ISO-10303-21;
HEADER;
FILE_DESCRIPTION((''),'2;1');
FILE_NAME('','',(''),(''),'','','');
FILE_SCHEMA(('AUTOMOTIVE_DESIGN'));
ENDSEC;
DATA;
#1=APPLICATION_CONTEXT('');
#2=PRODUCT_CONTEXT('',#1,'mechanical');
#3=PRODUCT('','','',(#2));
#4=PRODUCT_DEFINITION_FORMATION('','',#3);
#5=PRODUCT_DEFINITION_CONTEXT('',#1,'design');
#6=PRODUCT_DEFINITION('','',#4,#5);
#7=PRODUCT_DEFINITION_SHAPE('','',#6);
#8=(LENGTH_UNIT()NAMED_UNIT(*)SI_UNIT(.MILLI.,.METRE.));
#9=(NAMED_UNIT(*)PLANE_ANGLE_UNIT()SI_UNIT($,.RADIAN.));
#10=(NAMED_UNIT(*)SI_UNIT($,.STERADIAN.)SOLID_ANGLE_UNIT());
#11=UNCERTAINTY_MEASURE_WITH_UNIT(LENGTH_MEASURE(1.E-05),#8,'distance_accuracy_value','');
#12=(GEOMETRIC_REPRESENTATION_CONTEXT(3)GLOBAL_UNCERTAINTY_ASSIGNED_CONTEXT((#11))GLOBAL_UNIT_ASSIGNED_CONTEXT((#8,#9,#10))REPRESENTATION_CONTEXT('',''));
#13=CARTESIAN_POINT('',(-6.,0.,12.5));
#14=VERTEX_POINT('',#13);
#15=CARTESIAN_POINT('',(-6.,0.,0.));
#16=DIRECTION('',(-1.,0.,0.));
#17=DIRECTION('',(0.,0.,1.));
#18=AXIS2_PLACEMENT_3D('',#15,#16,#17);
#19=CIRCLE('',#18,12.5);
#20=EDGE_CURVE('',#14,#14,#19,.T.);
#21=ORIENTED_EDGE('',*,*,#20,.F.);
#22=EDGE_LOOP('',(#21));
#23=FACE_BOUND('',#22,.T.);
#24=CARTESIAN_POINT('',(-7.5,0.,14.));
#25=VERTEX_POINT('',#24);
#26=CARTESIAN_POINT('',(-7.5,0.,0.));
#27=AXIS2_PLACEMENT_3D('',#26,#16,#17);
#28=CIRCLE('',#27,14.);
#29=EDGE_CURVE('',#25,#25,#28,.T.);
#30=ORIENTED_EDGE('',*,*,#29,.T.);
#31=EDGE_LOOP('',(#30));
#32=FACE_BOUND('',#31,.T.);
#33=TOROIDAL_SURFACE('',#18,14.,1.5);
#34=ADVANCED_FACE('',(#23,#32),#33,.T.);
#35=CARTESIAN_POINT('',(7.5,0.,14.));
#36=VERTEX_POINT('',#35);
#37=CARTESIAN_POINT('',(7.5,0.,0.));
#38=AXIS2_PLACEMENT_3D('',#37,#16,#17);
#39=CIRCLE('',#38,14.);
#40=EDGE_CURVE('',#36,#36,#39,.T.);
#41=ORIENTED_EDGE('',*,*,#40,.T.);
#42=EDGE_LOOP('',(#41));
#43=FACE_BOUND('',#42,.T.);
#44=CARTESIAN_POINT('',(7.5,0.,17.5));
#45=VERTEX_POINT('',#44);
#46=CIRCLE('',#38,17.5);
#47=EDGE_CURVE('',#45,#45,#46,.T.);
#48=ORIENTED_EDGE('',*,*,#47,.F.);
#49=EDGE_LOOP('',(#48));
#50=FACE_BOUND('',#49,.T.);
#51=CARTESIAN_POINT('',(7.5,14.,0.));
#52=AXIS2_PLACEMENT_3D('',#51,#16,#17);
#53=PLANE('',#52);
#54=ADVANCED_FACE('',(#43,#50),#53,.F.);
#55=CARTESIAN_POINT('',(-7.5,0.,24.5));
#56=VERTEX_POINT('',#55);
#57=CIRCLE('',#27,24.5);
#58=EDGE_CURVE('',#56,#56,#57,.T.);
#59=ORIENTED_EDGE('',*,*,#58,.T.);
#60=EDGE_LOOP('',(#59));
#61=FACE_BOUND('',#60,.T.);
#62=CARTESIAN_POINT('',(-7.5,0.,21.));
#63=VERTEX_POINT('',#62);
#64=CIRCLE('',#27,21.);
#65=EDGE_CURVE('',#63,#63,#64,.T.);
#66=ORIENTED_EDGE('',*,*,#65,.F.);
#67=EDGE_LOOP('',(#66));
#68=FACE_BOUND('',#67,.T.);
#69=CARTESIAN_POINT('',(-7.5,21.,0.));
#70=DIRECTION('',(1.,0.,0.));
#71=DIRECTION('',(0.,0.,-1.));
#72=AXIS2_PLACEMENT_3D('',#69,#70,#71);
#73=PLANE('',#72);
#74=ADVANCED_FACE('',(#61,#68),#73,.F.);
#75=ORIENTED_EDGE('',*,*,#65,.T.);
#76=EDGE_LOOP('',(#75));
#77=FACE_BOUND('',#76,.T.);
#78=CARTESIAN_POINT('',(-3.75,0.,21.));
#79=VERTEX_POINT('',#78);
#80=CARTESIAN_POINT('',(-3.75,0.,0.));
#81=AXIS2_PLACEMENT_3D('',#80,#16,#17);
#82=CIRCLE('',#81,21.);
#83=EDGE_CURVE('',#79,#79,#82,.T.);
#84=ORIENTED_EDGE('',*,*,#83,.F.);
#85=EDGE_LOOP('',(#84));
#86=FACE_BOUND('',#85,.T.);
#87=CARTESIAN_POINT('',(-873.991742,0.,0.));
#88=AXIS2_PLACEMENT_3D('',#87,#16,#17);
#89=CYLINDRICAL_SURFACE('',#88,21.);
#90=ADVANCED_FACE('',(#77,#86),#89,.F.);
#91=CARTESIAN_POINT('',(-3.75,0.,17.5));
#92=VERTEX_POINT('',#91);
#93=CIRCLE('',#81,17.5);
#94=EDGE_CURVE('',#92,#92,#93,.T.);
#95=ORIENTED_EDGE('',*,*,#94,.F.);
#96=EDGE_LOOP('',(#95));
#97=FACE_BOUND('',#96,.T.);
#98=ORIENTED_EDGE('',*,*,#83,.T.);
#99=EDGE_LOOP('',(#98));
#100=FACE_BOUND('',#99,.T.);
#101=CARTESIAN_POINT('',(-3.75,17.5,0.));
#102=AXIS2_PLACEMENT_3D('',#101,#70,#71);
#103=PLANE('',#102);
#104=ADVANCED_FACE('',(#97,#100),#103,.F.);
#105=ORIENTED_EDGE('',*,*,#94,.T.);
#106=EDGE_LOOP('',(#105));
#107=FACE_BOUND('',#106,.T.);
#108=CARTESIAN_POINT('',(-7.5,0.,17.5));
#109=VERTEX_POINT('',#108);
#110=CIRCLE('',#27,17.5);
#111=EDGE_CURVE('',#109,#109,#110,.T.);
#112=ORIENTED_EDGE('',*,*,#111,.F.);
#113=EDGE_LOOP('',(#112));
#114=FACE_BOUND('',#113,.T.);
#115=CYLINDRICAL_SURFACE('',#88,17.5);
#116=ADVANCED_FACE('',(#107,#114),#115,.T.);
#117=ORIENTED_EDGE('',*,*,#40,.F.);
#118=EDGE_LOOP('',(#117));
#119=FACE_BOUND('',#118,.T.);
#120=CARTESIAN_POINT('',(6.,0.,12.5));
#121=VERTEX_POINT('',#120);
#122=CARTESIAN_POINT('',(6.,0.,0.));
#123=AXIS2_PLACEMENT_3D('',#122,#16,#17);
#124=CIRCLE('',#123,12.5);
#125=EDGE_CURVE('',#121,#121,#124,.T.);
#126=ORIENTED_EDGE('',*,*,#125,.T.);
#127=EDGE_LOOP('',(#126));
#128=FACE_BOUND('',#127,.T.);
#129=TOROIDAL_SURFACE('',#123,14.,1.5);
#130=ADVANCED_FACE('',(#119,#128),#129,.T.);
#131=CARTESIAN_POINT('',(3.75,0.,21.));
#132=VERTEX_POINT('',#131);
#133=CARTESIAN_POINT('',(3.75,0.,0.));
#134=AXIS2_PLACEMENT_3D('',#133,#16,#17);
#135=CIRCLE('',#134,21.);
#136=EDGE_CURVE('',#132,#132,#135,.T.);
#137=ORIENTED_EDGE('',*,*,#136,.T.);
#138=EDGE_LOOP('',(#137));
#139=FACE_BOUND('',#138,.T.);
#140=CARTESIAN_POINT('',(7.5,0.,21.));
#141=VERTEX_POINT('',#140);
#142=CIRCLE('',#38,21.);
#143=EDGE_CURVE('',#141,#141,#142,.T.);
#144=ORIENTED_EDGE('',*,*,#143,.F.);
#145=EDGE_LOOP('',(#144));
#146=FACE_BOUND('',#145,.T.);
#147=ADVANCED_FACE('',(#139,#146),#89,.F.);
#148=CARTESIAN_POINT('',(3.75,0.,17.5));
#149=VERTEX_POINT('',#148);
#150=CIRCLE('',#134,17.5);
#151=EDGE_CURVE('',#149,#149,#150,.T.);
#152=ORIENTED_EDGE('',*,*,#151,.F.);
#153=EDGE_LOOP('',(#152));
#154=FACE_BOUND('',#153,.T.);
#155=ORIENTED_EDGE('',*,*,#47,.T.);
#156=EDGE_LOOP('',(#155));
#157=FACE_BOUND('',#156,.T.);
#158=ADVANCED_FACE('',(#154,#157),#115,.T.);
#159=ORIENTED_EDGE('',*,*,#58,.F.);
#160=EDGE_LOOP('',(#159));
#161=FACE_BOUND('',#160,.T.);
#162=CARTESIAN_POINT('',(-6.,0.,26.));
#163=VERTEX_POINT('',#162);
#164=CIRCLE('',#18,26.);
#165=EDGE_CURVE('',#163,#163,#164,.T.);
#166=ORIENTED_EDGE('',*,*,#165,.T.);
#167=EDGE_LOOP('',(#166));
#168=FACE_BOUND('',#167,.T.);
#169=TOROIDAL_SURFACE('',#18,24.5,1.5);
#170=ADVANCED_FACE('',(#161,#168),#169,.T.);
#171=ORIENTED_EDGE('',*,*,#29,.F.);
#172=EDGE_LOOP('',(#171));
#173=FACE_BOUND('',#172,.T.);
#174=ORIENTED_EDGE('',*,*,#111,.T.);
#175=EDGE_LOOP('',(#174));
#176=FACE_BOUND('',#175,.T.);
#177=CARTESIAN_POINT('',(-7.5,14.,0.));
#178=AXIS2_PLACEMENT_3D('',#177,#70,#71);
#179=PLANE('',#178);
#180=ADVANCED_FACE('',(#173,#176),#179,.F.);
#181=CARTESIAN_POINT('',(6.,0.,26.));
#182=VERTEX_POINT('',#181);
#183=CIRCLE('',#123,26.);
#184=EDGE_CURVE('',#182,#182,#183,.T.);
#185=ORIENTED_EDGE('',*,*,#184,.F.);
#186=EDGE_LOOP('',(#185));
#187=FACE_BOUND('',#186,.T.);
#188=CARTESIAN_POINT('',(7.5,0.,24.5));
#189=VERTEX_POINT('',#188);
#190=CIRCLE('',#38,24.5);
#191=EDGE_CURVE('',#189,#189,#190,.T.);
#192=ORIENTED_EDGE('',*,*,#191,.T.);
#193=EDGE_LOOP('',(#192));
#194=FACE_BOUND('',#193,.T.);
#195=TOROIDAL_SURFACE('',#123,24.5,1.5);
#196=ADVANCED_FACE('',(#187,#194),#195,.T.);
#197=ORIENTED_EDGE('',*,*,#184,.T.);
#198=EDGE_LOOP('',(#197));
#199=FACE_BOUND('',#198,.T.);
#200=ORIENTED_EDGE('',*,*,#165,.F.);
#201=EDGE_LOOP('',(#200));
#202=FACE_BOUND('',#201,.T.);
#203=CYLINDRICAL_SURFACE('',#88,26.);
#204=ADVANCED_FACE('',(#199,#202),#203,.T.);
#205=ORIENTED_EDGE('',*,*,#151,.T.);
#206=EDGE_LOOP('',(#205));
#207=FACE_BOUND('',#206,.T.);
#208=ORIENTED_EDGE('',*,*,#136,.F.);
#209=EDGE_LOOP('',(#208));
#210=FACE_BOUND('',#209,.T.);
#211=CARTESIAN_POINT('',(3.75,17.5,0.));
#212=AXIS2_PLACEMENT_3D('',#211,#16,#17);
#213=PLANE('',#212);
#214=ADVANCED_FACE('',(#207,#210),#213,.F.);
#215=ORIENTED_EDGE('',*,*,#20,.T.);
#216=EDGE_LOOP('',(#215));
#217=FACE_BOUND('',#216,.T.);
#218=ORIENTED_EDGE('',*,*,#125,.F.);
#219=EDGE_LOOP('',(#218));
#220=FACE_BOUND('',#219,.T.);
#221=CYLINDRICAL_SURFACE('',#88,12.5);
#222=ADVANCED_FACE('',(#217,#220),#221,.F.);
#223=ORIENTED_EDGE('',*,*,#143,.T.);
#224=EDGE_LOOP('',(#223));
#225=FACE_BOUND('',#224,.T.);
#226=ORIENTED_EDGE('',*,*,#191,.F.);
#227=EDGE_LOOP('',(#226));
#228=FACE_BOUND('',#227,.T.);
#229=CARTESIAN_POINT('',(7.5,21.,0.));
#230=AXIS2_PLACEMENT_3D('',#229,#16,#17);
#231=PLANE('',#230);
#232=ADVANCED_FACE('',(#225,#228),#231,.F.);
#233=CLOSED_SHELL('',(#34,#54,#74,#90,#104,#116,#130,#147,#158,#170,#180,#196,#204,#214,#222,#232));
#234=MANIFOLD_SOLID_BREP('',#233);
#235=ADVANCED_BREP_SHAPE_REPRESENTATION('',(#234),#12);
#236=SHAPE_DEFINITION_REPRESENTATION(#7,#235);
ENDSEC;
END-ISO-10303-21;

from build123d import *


with BuildPart() as part:
    # Эскиз1 → Повернуть1 (revolve)
    with BuildSketch(Plane.XY):
        with BuildLine():
            Line((6, 12.5), (-6, 12.5))
            ThreePointArc((-6, 12.5), (-7.060660172, 12.939339828), (-7.5, 14))
            Line((-7.5, 14), (-7.5, 17.5))
            Line((-7.5, 17.5), (-3.75, 17.5))
            Line((-3.75, 17.5), (-3.75, 21))
            Line((-3.75, 21), (-7.5, 21))
            Line((-7.5, 21), (-7.5, 24.5))
            ThreePointArc((-7.5, 24.5), (-7.060660172, 25.560660172), (-6, 26))
            Line((-6, 26), (6, 26))
            ThreePointArc((6, 26), (7.060660172, 25.560660172), (7.5, 24.5))
            Line((7.5, 24.5), (7.5, 21))
            Line((7.5, 21), (3.75, 21))
            Line((3.75, 21), (3.75, 17.5))
            Line((3.75, 17.5), (7.5, 17.5))
            Line((7.5, 17.5), (7.5, 14))
            ThreePointArc((7.5, 14), (7.060660172, 12.939339828), (6, 12.5))
        make_face()
    revolve(axis=Axis((-873.991742101, 0, 0), (1, 0, 0)))


solid = part.part
